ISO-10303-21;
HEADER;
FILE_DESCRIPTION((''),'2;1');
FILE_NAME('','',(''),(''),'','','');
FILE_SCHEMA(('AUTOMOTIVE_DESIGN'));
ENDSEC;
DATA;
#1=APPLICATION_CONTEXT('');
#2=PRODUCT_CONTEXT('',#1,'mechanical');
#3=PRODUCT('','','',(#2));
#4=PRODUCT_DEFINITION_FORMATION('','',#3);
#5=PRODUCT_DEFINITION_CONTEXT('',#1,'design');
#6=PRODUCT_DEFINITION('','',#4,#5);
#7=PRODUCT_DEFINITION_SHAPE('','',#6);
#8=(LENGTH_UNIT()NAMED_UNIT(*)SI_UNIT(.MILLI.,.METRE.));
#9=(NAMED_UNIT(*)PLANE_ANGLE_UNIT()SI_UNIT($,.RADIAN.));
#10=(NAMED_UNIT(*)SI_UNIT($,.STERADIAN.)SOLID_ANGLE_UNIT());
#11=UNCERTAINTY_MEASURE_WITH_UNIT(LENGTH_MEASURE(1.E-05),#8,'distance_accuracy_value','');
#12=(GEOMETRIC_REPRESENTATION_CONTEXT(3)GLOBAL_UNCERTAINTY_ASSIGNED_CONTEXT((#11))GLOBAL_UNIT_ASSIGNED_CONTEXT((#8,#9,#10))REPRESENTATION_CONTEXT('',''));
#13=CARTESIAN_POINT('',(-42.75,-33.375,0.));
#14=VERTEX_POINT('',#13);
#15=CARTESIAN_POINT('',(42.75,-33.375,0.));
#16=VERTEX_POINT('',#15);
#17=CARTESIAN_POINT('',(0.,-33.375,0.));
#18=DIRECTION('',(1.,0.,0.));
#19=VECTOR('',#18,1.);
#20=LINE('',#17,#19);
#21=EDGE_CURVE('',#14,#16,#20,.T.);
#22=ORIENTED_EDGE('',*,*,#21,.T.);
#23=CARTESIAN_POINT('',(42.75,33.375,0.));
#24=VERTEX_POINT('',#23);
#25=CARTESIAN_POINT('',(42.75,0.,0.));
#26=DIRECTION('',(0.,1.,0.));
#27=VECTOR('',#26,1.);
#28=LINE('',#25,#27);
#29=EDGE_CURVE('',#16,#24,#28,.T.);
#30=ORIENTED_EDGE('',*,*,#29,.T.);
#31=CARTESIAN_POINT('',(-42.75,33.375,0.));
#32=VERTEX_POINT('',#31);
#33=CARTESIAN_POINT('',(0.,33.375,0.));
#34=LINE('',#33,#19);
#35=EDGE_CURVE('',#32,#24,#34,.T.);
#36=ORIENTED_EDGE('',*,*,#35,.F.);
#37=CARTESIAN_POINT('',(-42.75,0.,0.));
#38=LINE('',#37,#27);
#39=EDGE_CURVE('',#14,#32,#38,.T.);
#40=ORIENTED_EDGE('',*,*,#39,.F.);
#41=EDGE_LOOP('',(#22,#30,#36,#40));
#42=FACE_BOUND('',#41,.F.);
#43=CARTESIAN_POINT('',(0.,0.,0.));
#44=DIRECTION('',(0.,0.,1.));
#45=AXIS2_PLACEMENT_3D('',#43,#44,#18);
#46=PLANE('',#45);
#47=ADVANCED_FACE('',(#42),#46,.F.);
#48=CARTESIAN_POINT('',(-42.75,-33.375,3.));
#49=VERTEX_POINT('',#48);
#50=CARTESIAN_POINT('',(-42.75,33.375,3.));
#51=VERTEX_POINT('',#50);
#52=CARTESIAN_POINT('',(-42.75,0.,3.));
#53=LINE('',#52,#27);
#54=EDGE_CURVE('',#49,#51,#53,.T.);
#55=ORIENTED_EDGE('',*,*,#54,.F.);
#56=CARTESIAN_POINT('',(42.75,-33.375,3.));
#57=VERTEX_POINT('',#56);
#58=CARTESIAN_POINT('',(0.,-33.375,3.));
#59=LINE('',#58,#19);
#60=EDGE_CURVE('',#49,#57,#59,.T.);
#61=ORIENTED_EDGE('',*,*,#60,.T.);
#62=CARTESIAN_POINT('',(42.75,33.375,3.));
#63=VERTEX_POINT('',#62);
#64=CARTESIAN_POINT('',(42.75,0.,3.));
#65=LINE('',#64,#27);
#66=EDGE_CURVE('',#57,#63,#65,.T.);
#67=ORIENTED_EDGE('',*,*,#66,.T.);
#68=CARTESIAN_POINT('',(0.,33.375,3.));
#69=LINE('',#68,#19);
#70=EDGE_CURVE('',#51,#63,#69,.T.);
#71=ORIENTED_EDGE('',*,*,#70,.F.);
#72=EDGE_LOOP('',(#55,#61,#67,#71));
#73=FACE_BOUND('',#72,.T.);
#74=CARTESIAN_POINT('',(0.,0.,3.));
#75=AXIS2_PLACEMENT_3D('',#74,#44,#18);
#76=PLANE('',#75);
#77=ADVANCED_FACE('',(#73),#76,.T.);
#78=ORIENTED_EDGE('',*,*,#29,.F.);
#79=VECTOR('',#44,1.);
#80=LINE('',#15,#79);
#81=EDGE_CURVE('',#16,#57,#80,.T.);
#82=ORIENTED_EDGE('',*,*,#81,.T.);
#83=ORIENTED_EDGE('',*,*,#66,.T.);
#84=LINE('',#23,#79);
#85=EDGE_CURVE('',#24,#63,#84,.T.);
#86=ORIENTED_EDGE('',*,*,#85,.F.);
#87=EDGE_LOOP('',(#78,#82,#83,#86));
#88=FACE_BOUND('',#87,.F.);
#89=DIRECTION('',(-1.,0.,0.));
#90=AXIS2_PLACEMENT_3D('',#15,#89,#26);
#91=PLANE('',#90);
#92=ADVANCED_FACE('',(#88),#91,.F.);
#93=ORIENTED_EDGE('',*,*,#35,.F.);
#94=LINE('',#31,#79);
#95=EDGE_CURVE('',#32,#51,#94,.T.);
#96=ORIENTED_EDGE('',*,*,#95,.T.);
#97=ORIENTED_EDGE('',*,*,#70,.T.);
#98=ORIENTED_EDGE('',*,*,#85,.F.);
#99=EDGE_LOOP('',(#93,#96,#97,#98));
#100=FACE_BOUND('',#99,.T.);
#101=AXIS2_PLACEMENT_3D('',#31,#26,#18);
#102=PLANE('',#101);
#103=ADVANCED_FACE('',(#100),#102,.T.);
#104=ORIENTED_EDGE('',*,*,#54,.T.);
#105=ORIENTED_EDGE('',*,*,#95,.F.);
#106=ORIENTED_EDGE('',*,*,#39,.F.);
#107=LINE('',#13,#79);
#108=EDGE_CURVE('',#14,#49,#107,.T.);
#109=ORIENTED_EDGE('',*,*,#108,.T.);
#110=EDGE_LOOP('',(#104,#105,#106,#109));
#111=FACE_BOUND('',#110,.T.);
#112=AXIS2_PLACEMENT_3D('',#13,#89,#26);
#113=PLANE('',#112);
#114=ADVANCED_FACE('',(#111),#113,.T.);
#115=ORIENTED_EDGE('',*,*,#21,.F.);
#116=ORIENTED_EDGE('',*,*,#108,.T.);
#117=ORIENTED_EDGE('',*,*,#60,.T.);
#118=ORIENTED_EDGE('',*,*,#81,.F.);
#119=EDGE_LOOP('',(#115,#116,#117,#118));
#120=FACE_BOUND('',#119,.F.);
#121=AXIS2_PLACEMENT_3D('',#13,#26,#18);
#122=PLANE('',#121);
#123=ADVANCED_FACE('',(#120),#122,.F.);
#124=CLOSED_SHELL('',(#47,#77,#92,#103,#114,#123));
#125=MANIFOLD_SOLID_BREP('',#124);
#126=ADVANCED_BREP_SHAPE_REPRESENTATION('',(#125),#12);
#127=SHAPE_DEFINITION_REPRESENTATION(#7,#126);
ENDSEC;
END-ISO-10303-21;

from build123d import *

# Parameters (mm, degrees)
SKETCH_W  = 85.5
SKETCH_H  = 66.75
PAD_DEPTH = 3


with BuildPart() as part:
    # Sketch → Pad (new body)
    with BuildSketch(Plane.XY):
        Rectangle(SKETCH_W, SKETCH_H)
    extrude(amount=PAD_DEPTH)


solid = part.part
